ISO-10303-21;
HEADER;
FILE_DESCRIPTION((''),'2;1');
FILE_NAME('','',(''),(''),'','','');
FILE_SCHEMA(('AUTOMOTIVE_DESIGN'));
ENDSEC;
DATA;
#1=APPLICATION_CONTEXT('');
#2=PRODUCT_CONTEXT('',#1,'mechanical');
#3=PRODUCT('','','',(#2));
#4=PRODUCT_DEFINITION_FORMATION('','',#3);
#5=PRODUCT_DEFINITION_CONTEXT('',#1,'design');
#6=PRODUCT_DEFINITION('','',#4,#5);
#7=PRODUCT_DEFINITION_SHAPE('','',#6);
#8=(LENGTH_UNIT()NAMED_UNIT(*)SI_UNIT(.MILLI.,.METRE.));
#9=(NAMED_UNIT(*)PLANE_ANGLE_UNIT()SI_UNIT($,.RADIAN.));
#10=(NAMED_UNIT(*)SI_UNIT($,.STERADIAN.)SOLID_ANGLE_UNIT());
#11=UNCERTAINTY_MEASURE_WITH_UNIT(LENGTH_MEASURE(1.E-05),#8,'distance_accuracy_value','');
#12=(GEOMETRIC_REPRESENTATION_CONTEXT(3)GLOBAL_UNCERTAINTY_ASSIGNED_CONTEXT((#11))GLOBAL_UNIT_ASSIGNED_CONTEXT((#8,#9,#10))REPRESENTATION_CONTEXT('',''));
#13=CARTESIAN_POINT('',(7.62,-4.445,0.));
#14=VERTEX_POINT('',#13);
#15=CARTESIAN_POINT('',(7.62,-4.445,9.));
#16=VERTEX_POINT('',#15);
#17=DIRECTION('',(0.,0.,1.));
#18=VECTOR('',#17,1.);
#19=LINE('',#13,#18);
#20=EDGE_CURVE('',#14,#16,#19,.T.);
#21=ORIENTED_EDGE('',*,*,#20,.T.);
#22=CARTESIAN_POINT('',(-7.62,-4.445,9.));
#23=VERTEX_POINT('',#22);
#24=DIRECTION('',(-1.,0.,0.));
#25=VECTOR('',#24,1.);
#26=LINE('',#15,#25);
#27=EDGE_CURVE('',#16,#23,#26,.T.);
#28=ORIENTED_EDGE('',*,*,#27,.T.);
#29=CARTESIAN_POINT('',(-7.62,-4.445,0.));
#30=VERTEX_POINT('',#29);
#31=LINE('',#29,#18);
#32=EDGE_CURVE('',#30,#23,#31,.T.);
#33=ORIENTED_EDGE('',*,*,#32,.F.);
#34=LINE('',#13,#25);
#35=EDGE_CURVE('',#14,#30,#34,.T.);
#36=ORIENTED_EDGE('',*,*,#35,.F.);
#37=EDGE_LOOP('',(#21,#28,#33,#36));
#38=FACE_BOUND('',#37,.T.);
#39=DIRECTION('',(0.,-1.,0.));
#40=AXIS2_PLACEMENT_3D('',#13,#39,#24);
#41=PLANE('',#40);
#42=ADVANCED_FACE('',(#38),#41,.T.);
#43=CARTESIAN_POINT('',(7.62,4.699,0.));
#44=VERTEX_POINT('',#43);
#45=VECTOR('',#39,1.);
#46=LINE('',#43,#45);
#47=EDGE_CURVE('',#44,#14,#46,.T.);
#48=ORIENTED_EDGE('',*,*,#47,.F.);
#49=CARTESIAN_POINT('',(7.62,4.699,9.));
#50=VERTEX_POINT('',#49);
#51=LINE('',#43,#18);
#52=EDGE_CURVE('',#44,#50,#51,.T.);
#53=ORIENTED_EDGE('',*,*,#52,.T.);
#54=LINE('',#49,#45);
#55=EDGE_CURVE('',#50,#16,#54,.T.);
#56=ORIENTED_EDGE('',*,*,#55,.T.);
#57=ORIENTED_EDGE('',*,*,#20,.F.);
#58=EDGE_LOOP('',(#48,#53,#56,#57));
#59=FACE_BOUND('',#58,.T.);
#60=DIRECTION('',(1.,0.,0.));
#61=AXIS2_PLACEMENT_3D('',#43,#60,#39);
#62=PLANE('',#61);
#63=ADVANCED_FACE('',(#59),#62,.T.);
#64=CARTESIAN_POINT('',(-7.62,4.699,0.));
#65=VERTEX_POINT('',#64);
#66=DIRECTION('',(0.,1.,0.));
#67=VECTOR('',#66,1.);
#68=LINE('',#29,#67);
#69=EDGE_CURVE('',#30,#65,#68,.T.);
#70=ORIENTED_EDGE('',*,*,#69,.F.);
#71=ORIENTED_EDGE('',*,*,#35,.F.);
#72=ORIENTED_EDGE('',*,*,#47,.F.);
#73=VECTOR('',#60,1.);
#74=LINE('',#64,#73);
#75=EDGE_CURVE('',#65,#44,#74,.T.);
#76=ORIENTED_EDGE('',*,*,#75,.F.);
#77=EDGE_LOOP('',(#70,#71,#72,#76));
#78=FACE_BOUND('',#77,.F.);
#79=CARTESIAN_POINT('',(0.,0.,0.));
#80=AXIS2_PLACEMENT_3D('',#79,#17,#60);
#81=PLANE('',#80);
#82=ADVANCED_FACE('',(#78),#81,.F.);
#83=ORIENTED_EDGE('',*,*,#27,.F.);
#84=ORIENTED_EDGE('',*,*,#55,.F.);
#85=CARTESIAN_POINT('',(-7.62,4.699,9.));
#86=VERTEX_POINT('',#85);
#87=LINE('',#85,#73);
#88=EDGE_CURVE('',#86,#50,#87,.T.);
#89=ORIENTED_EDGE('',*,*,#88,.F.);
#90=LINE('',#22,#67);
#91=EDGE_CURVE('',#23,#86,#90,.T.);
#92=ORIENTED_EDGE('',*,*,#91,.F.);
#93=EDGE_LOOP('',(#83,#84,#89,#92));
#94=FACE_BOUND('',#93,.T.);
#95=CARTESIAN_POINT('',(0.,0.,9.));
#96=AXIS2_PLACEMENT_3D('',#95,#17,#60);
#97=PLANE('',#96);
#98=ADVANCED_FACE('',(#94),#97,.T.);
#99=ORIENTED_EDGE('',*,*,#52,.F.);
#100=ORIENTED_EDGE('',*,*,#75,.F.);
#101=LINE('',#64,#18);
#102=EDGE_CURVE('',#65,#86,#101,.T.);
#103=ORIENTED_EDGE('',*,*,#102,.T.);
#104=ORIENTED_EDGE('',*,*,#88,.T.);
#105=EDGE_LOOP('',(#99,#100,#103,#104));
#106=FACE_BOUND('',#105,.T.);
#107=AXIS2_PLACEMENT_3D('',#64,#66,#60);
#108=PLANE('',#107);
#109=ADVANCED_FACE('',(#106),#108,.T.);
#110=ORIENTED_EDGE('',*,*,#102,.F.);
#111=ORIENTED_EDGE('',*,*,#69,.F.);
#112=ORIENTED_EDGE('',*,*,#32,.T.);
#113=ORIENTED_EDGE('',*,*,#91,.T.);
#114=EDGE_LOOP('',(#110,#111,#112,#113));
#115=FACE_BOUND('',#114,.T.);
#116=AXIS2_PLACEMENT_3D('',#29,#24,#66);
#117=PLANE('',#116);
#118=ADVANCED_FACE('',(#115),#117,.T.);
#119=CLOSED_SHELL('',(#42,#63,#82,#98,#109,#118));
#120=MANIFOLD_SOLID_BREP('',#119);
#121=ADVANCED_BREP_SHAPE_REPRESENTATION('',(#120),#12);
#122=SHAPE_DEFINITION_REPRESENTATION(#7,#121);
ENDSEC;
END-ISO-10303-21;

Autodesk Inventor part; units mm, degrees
ref_plane "YZ Plane" through (0, 0, 0) normal (1, 0, 0) x (0, 1, 0)
ref_plane "XZ Plane" through (0, 0, 0) normal (0, 1, 0) x (-1, 0, 0)
ref_plane "XY Plane" through (0, 0, 0) normal (0, 0, 1) x (1, 0, 0)
sketch "ML6, ML6_17" plane through (0, 0, 0) normal (0, 0, 1) x (1, 0, 0)
  line L0 (-7.62, 4.699) -> (7.62, 4.699)
  line L1 (7.62, 4.699) -> (7.62, -4.445)
  line L2 (7.62, -4.445) -> (-7.62, -4.445)
  line L3 (-7.62, -4.445) -> (-7.62, 4.699)
extrude "Extrusion1" add sketch "ML6, ML6_17" along normal blind 9
properties part number "ML6"
